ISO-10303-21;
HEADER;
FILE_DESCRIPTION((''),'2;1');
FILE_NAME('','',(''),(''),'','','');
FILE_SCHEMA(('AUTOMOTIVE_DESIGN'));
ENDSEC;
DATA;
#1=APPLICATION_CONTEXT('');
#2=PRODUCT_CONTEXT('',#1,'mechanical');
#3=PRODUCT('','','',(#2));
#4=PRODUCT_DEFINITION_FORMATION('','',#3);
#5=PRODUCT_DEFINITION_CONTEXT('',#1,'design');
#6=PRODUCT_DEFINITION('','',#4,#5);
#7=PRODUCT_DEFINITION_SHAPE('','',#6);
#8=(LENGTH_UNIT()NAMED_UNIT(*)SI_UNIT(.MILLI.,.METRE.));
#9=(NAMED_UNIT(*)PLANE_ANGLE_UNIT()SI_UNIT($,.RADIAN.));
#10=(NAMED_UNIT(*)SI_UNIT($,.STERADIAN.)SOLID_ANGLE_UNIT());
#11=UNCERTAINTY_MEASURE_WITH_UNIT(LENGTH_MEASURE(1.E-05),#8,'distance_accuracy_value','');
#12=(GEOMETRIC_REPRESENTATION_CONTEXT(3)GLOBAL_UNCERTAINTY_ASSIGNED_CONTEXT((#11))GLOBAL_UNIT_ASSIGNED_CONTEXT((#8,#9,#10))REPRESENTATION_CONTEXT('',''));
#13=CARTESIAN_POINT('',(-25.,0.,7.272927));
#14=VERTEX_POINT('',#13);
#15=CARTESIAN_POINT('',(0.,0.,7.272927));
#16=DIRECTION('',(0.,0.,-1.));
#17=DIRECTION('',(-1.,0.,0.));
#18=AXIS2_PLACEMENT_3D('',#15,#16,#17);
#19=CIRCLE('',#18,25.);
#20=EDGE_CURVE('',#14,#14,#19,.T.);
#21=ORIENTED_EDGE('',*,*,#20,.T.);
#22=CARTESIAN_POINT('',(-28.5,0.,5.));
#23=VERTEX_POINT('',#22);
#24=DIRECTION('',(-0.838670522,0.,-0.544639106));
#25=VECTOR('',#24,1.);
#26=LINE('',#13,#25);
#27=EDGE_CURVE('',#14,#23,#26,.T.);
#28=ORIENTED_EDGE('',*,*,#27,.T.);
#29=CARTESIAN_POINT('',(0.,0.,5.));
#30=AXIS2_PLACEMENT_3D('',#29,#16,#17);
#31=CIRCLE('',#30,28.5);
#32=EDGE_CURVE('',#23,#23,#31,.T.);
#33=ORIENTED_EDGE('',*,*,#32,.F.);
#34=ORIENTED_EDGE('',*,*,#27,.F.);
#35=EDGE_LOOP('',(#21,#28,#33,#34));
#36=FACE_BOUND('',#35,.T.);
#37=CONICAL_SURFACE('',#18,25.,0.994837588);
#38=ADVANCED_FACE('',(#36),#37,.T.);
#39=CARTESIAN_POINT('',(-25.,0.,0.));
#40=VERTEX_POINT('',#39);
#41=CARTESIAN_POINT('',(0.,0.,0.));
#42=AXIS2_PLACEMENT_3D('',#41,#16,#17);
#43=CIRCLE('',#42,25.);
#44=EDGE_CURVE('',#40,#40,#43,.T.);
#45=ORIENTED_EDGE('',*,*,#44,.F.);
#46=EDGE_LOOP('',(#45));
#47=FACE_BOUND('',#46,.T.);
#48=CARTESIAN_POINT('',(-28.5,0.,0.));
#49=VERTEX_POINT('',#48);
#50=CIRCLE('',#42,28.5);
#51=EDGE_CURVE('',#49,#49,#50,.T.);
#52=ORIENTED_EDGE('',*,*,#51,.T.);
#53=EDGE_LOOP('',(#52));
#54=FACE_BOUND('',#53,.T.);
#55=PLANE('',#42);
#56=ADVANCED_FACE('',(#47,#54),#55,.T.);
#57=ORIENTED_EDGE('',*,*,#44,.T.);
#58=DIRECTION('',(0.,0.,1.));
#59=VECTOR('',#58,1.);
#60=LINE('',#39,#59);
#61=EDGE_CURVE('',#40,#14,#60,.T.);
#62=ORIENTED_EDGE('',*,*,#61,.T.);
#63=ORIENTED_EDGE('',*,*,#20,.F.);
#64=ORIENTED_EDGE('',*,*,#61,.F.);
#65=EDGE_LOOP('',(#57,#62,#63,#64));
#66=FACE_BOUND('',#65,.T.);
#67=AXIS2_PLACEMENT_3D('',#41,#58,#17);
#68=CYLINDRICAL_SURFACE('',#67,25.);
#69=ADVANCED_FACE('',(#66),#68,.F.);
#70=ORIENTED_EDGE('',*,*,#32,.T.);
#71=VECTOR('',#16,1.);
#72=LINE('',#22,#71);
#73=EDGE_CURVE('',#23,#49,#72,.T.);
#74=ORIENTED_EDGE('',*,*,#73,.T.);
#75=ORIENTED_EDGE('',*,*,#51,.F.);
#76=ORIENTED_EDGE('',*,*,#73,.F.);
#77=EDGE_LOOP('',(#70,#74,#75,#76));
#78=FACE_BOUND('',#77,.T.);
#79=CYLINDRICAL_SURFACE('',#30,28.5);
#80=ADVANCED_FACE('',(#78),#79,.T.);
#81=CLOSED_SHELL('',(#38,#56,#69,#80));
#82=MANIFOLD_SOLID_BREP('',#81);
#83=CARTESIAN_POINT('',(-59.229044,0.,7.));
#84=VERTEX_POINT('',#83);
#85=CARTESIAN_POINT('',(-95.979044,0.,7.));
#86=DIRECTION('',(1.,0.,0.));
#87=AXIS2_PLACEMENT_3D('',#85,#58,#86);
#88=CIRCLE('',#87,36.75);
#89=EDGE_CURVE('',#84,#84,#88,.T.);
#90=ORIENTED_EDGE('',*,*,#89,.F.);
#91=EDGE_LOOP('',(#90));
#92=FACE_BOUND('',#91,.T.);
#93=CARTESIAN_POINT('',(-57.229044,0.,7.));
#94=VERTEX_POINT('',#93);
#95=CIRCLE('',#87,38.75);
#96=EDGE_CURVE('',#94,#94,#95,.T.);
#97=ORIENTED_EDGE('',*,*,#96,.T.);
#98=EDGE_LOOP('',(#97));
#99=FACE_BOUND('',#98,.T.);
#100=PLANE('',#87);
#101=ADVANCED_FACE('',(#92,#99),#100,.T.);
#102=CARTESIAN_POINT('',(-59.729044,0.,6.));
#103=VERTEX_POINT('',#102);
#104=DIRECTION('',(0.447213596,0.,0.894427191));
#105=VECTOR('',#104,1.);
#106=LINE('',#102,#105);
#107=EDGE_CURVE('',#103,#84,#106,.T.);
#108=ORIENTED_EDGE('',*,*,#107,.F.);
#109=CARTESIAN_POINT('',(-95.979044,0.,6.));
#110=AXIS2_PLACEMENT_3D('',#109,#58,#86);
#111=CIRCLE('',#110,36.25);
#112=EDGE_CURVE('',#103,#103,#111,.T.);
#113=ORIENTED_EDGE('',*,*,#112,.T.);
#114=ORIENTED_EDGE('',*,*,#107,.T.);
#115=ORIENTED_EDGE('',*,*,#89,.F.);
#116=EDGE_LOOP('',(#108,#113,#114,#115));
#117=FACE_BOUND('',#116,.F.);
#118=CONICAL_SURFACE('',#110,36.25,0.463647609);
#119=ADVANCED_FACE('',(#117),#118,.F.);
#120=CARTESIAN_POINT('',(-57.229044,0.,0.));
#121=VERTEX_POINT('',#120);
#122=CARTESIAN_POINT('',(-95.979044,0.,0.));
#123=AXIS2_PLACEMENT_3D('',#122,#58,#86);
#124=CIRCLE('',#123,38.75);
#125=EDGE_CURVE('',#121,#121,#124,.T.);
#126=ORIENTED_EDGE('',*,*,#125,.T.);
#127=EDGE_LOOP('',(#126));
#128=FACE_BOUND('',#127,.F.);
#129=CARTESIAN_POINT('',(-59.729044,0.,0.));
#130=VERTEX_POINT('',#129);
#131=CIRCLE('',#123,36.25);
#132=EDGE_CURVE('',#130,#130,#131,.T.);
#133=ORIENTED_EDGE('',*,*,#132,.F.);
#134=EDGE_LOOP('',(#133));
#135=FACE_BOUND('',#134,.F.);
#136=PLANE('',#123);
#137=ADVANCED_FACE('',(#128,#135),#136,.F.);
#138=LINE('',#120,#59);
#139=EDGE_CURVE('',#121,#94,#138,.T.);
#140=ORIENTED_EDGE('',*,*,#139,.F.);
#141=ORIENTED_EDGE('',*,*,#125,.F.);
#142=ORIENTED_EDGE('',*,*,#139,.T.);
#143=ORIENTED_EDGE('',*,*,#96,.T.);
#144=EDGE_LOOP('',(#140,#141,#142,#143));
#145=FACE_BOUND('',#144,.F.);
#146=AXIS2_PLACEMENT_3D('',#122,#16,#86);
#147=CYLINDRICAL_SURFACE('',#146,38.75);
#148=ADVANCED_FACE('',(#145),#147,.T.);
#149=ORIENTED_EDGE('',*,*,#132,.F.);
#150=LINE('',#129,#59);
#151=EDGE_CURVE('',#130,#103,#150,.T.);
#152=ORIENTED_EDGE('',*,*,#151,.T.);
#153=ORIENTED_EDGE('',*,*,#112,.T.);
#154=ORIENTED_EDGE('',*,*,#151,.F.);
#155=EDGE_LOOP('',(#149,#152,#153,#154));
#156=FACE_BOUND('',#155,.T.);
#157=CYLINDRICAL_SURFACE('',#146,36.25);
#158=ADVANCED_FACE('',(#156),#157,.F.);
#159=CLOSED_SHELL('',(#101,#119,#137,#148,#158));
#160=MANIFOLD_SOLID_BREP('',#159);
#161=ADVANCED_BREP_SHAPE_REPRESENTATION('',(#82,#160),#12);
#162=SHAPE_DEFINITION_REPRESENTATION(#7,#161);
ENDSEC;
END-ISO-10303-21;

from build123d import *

# Parameters (mm, degrees)
F2_R     = 38.75
F2_R_2   = 36.25
F3_DEPTH = 7
F4_SIZE2 = 0.5
F4_SIZE  = 1


with BuildPart() as f1:
    # F0 (on Front) → F1 (revolve)
    with BuildSketch(Plane.XZ):
        Polygon((-28.5, 0), (-25, 0), (-25, 7.272927), (-28.5, 5), align=None)
    revolve(axis=Axis((0, 0, -16.917149), (0, 0, -1)))


with BuildPart() as f3:
    # F2 (on Top) → F3 (new body)
    with BuildSketch(Plane.XY):
        with Locations((-95.979044, 0)):
            Circle(F2_R)
        with Locations((-95.979044, 0)):
            Circle(F2_R_2, mode=Mode.SUBTRACT)
    extrude(amount=F3_DEPTH)

    # F4
    f4_edges = [f3.edges().sort_by_distance(p)[0] for p in [
        (-132.229044, 0, 7),
    ]]
    chamfer(f4_edges, length=F4_SIZE, length2=F4_SIZE2)


solid = Compound([f1.part, f3.part])
